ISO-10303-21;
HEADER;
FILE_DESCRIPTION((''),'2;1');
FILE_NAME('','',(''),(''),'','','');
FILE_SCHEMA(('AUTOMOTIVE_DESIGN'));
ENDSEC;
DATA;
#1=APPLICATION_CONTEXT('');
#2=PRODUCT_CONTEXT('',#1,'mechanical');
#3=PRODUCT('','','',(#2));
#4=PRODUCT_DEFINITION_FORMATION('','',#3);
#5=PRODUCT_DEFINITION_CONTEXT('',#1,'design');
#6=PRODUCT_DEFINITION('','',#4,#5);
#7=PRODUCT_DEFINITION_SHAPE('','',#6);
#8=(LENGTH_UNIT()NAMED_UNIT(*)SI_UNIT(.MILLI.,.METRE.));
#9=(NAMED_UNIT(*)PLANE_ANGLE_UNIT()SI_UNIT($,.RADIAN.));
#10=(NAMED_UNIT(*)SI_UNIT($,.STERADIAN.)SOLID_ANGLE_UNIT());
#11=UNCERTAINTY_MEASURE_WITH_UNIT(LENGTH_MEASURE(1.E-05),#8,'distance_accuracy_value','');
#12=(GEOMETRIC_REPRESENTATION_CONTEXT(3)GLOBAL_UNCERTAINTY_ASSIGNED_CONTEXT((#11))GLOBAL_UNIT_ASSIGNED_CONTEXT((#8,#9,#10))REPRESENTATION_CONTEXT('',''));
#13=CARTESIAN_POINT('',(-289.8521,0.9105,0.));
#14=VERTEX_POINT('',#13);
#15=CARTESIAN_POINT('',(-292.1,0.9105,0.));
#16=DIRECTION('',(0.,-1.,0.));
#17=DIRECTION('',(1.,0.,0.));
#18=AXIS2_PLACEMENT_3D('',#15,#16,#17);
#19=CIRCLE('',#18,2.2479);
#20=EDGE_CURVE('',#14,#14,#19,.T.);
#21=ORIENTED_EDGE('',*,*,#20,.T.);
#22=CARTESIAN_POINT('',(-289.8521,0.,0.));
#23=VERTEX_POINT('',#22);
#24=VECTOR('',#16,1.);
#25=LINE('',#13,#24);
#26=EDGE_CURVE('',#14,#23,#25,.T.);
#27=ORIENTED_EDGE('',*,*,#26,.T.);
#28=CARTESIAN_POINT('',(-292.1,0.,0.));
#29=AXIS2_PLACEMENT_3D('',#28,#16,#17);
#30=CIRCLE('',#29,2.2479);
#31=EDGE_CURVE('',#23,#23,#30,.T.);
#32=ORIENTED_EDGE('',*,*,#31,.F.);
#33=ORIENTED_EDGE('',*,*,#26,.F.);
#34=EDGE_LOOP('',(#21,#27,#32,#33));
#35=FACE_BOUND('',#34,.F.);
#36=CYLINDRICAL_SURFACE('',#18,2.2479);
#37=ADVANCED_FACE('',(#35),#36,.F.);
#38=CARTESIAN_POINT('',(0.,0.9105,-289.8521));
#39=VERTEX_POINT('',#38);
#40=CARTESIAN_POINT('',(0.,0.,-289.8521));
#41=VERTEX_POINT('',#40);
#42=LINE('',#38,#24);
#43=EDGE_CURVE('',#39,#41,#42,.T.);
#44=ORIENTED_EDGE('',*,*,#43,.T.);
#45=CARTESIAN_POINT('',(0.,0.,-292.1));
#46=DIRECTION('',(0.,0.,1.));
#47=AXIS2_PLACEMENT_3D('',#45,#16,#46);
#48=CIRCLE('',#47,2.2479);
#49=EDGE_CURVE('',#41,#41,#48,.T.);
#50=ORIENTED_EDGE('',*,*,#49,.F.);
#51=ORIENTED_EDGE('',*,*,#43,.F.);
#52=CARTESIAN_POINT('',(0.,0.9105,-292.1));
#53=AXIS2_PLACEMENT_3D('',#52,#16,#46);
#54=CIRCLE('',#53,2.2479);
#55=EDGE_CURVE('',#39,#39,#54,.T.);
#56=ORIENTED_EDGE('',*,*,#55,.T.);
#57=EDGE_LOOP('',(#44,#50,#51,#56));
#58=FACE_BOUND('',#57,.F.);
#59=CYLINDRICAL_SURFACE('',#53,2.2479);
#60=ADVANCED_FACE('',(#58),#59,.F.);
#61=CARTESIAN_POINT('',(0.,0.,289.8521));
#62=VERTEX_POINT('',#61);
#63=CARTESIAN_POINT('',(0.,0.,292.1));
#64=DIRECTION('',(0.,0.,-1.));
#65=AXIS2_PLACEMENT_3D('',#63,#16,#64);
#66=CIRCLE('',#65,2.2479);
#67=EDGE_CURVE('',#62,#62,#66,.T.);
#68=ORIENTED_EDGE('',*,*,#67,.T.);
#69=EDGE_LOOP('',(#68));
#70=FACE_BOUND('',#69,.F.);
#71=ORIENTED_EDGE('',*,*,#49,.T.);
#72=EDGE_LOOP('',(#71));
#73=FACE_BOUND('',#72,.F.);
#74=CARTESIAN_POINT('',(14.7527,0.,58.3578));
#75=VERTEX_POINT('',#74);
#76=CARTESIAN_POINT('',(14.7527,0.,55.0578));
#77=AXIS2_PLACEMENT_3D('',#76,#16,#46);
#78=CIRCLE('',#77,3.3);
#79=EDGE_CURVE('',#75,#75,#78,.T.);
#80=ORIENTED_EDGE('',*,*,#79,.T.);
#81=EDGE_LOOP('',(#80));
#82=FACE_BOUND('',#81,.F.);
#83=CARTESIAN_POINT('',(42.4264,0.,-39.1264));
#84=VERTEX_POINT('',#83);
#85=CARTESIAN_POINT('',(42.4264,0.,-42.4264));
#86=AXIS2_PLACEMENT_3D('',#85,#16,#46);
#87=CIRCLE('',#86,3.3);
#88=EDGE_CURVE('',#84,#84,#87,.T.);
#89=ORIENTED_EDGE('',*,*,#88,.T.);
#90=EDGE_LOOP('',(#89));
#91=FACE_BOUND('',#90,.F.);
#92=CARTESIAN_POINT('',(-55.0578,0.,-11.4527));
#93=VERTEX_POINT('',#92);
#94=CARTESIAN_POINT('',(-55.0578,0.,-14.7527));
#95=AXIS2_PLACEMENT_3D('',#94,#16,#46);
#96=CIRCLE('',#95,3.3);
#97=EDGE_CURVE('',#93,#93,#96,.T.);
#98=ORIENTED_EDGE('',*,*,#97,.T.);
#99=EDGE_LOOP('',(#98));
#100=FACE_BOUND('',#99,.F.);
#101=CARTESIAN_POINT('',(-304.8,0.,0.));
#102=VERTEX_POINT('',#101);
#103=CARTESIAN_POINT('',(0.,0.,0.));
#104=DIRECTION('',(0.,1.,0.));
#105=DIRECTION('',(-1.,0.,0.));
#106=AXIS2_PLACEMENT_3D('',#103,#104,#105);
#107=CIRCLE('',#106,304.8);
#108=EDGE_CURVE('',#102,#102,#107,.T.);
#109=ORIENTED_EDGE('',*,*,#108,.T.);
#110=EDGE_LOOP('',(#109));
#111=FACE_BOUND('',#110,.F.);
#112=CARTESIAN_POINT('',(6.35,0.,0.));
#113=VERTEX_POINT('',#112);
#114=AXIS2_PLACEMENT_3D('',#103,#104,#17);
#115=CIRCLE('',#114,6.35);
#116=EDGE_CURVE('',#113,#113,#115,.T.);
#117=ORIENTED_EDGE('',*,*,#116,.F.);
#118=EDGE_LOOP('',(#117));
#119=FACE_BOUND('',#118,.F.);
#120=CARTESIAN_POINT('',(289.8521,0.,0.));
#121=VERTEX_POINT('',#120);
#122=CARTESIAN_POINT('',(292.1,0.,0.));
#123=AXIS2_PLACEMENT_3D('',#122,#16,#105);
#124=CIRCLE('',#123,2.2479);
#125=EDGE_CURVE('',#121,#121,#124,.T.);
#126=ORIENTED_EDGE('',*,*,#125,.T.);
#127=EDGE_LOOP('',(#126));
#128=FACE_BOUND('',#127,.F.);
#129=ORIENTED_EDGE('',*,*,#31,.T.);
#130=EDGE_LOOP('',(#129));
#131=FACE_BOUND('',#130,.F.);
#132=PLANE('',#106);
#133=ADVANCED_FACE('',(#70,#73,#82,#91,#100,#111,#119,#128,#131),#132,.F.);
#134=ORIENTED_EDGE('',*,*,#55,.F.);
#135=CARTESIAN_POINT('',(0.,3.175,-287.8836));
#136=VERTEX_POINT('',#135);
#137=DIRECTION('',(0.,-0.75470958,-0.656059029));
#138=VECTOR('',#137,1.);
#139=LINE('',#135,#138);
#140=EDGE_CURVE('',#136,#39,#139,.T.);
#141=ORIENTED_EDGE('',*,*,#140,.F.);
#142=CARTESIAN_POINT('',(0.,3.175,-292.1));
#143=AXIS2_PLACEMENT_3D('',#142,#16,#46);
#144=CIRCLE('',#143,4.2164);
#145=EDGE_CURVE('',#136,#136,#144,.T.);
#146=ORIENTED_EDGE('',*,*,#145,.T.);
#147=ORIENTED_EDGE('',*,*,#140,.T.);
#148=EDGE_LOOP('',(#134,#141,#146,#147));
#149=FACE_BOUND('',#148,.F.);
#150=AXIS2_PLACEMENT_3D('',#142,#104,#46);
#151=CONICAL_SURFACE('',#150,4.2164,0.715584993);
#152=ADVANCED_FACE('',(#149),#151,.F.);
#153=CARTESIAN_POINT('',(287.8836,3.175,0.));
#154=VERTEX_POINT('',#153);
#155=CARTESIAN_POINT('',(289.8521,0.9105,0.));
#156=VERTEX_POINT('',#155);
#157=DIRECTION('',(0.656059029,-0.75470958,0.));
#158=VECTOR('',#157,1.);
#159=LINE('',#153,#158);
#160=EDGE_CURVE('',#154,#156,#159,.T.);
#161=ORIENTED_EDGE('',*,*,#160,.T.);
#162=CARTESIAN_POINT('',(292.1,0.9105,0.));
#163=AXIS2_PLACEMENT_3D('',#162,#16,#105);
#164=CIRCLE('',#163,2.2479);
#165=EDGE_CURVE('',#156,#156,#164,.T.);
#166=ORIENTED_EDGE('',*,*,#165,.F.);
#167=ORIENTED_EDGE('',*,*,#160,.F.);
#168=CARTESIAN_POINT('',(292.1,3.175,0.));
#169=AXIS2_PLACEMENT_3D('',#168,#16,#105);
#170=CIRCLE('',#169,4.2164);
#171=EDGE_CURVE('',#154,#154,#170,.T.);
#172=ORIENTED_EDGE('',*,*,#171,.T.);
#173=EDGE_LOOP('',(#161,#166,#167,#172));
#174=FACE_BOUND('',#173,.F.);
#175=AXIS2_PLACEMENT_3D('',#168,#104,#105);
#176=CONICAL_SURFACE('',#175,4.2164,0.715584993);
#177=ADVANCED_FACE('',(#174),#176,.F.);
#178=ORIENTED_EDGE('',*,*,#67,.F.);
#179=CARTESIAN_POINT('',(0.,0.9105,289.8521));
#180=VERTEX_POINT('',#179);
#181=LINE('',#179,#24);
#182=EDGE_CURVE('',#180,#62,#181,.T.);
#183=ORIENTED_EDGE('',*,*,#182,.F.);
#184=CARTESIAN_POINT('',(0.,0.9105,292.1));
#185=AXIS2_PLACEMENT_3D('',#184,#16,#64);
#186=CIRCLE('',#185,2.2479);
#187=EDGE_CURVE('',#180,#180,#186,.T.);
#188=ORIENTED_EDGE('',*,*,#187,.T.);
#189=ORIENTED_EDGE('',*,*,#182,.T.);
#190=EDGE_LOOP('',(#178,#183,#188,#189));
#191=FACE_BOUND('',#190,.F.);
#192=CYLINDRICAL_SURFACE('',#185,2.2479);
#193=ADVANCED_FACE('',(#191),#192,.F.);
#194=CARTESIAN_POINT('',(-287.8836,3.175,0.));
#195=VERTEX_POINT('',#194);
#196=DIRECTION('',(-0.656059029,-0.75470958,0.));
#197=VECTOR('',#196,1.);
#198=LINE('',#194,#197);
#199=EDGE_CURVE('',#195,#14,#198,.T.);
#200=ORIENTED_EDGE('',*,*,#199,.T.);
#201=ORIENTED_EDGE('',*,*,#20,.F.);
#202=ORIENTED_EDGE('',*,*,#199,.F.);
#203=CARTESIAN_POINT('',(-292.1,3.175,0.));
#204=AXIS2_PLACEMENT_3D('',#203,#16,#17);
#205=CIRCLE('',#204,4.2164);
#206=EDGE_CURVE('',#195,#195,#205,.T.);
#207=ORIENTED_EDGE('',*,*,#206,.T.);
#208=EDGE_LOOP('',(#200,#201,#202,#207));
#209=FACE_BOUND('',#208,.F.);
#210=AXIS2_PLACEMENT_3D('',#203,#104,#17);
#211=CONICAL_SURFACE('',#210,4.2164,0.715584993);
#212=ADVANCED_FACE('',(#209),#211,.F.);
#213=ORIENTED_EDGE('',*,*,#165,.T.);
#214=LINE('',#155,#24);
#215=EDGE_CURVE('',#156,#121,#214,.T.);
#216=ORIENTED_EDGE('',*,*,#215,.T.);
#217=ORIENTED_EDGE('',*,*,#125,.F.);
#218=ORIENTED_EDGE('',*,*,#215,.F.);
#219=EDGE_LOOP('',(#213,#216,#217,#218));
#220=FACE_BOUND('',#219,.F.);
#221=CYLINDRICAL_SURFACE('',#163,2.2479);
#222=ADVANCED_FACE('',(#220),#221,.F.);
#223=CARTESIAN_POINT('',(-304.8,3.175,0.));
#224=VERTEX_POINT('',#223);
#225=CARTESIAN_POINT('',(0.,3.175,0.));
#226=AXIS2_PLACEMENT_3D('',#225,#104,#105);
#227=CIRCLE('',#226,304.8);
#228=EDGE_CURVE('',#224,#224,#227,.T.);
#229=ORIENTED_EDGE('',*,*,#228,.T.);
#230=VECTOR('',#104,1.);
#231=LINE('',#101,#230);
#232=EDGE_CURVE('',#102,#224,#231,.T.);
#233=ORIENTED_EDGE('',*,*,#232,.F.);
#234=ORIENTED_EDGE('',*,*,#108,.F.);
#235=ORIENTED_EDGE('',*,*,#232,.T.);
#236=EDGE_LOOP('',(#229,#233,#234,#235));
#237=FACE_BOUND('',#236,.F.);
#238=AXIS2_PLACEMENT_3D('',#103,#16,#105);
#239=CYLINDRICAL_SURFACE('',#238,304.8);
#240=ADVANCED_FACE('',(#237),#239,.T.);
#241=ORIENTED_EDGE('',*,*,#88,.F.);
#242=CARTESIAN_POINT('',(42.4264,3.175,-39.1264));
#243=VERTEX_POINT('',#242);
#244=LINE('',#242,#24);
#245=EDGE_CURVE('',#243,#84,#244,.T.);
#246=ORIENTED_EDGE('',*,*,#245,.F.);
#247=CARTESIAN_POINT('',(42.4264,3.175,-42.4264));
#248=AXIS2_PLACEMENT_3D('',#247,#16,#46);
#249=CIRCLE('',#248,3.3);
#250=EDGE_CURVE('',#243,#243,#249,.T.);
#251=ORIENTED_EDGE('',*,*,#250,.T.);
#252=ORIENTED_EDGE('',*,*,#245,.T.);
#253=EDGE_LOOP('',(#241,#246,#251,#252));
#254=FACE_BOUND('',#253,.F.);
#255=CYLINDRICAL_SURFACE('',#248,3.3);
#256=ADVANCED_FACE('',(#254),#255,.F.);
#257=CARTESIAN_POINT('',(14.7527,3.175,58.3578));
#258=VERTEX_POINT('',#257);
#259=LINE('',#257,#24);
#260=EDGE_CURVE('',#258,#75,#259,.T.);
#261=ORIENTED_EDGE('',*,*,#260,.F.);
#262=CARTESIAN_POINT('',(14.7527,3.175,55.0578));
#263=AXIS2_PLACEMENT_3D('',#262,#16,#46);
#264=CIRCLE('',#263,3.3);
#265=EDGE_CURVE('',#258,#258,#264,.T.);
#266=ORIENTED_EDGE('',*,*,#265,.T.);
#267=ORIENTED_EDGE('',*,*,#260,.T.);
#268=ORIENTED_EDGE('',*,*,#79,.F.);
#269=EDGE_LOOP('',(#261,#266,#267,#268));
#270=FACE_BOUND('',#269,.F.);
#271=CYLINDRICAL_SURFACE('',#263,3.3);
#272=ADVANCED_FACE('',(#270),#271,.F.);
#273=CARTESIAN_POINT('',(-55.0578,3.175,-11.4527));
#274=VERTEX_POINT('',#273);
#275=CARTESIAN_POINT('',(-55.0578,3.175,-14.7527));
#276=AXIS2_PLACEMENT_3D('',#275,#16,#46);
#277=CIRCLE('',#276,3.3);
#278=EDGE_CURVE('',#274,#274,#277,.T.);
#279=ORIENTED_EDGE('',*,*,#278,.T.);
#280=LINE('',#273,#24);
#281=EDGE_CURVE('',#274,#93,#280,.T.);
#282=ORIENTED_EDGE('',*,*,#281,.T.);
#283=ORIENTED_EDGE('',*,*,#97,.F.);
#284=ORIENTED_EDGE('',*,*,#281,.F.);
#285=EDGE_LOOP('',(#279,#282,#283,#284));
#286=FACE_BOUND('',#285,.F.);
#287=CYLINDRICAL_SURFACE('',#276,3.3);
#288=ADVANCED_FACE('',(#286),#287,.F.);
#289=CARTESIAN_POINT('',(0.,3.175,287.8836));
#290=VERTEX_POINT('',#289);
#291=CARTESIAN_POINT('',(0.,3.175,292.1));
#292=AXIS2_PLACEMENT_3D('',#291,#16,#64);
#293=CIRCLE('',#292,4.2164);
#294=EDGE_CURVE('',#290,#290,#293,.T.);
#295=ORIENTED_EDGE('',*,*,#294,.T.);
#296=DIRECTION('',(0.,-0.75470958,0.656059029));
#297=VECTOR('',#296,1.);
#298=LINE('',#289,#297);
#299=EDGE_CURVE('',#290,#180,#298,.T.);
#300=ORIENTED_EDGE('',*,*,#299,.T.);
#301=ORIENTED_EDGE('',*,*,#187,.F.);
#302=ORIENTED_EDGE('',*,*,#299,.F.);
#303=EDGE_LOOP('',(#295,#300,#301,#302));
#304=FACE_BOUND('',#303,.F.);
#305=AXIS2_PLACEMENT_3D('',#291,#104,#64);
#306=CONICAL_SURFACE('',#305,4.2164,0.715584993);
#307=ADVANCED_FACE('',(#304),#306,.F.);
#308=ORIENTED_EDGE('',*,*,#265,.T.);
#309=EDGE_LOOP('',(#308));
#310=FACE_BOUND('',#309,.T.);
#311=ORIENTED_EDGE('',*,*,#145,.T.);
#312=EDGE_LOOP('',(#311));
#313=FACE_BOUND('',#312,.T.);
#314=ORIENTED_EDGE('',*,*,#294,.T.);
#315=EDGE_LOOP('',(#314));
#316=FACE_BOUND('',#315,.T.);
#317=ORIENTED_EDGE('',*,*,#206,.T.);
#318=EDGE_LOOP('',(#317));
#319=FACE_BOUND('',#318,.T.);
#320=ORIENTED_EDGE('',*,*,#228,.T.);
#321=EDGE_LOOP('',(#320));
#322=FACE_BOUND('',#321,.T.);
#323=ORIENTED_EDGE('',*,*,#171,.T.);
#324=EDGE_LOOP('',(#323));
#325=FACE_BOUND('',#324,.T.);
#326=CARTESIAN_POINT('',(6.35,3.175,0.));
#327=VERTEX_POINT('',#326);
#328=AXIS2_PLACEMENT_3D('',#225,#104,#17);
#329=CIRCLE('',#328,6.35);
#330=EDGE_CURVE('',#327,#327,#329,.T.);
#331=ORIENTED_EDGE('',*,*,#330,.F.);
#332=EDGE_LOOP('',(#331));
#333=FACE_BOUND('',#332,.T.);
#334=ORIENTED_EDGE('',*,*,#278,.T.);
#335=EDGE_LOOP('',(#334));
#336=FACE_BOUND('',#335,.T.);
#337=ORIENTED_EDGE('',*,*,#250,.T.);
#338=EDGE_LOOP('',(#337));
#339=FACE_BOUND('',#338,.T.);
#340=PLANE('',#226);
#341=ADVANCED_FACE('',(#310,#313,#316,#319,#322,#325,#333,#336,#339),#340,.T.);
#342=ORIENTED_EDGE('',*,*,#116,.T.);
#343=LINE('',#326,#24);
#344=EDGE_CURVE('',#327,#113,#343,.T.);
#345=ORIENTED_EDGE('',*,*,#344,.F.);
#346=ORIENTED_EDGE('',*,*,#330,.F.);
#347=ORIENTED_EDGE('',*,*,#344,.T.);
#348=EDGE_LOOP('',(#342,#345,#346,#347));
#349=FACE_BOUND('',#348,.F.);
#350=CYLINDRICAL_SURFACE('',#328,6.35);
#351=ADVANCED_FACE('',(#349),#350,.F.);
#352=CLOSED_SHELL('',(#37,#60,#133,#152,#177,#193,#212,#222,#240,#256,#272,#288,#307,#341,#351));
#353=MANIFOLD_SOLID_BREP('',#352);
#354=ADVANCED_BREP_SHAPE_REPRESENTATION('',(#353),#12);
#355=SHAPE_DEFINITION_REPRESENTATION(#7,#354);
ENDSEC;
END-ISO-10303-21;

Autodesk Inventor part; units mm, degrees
ref_plane "YZ Plane" through (0, 0, 0) normal (1, 0, 0) x (0, 1, 0)
ref_plane "XZ Plane" through (0, 0, 0) normal (0, 1, 0) x (-1, 0, 0)
ref_plane "XY Plane" through (0, 0, 0) normal (0, 0, 1) x (1, 0, 0)
sketch "Sketch1" plane through (0, 0, 0) normal (0, 1, 0) x (-1, 0, 0)
  circle A0 centre (0, 0) radius 304.8
  dimension "d0" = 609.6
extrude "Extrusion1" add sketch "Sketch1" along normal blind 3.175
sketch "Sketch2" plane through (0, 3.175, 0) normal (0, 1, 0) x (1, 0, 0)
  circle A0 centre (0, 0) radius 304.8 projected
  circle A1 centre (0, 0) radius 6.35
  dimension "d3" = 12.7
extrude "Extrusion2" cut sketch "Sketch2" against normal blind 3.175 contours A1
sketch "Sketch3" plane through (0, 3.175, 0) normal (0, 1, 0) x (1, 0, 0)
  circle A0 centre (0, 0) radius 6.35 projected
  circle A1 centre (0, 292.1) radius 4.6302
  dimension "d6" = 292.1
hole "Hole1" at (0, 3.175, -292.1) direction (0, -1, 0) diameter 4.4958 end through all countersink diameter 8.4328 countersink angle 82
pattern_circular "Circular Pattern1" count 4 over 360 about axis through (0, 3.175, 0) along (0, -1, 0) of "Hole1"
sketch "Sketch9" plane through (0, 3.175, 0) normal (0, 1, 0) x (1, 0, 0)
  circle A0 centre (0, 0) radius 304.8 projected
  line L0 (0, 0) -> (14.7527, -55.0578) construction
  line L1 (0, 0) -> (57, 0) construction
  line L2 (0, 0) -> (-55.0578, 14.7527) construction
  line L3 (0, 0) -> (57, 0) construction
  circle A1 centre (42.4264, 42.4264) radius 7.377
  circle A2 centre (14.7527, -55.0578) radius 7.6366
  circle A3 centre (-55.0578, 14.7527) radius 7.2502
  circle A4 centre (0, 0) radius 6.35 projected
  line L4 (0, 0) -> (42.4264, 42.4264) construction
  line L5 (0, 0) -> (60, 0) construction
  dimension "d85" = 57
  dimension "d86" = 75
  dimension "d87" = 57
  dimension "d88" = 195
  dimension "d96" = 60
  dimension "d97" = 45
hole "Hole7" at (-55.0578, 3.175, -14.7527) at (42.4264, 3.175, -42.4264) at (14.7527, 3.175, 55.0578) direction (0, -1, 0) diameter 6.6 end through all clearance for "Flat Head Machine Screw" size "M6" standard "Ansi Metric M Profile"
properties part number "2f1bd" material "Aluminum 6061"
